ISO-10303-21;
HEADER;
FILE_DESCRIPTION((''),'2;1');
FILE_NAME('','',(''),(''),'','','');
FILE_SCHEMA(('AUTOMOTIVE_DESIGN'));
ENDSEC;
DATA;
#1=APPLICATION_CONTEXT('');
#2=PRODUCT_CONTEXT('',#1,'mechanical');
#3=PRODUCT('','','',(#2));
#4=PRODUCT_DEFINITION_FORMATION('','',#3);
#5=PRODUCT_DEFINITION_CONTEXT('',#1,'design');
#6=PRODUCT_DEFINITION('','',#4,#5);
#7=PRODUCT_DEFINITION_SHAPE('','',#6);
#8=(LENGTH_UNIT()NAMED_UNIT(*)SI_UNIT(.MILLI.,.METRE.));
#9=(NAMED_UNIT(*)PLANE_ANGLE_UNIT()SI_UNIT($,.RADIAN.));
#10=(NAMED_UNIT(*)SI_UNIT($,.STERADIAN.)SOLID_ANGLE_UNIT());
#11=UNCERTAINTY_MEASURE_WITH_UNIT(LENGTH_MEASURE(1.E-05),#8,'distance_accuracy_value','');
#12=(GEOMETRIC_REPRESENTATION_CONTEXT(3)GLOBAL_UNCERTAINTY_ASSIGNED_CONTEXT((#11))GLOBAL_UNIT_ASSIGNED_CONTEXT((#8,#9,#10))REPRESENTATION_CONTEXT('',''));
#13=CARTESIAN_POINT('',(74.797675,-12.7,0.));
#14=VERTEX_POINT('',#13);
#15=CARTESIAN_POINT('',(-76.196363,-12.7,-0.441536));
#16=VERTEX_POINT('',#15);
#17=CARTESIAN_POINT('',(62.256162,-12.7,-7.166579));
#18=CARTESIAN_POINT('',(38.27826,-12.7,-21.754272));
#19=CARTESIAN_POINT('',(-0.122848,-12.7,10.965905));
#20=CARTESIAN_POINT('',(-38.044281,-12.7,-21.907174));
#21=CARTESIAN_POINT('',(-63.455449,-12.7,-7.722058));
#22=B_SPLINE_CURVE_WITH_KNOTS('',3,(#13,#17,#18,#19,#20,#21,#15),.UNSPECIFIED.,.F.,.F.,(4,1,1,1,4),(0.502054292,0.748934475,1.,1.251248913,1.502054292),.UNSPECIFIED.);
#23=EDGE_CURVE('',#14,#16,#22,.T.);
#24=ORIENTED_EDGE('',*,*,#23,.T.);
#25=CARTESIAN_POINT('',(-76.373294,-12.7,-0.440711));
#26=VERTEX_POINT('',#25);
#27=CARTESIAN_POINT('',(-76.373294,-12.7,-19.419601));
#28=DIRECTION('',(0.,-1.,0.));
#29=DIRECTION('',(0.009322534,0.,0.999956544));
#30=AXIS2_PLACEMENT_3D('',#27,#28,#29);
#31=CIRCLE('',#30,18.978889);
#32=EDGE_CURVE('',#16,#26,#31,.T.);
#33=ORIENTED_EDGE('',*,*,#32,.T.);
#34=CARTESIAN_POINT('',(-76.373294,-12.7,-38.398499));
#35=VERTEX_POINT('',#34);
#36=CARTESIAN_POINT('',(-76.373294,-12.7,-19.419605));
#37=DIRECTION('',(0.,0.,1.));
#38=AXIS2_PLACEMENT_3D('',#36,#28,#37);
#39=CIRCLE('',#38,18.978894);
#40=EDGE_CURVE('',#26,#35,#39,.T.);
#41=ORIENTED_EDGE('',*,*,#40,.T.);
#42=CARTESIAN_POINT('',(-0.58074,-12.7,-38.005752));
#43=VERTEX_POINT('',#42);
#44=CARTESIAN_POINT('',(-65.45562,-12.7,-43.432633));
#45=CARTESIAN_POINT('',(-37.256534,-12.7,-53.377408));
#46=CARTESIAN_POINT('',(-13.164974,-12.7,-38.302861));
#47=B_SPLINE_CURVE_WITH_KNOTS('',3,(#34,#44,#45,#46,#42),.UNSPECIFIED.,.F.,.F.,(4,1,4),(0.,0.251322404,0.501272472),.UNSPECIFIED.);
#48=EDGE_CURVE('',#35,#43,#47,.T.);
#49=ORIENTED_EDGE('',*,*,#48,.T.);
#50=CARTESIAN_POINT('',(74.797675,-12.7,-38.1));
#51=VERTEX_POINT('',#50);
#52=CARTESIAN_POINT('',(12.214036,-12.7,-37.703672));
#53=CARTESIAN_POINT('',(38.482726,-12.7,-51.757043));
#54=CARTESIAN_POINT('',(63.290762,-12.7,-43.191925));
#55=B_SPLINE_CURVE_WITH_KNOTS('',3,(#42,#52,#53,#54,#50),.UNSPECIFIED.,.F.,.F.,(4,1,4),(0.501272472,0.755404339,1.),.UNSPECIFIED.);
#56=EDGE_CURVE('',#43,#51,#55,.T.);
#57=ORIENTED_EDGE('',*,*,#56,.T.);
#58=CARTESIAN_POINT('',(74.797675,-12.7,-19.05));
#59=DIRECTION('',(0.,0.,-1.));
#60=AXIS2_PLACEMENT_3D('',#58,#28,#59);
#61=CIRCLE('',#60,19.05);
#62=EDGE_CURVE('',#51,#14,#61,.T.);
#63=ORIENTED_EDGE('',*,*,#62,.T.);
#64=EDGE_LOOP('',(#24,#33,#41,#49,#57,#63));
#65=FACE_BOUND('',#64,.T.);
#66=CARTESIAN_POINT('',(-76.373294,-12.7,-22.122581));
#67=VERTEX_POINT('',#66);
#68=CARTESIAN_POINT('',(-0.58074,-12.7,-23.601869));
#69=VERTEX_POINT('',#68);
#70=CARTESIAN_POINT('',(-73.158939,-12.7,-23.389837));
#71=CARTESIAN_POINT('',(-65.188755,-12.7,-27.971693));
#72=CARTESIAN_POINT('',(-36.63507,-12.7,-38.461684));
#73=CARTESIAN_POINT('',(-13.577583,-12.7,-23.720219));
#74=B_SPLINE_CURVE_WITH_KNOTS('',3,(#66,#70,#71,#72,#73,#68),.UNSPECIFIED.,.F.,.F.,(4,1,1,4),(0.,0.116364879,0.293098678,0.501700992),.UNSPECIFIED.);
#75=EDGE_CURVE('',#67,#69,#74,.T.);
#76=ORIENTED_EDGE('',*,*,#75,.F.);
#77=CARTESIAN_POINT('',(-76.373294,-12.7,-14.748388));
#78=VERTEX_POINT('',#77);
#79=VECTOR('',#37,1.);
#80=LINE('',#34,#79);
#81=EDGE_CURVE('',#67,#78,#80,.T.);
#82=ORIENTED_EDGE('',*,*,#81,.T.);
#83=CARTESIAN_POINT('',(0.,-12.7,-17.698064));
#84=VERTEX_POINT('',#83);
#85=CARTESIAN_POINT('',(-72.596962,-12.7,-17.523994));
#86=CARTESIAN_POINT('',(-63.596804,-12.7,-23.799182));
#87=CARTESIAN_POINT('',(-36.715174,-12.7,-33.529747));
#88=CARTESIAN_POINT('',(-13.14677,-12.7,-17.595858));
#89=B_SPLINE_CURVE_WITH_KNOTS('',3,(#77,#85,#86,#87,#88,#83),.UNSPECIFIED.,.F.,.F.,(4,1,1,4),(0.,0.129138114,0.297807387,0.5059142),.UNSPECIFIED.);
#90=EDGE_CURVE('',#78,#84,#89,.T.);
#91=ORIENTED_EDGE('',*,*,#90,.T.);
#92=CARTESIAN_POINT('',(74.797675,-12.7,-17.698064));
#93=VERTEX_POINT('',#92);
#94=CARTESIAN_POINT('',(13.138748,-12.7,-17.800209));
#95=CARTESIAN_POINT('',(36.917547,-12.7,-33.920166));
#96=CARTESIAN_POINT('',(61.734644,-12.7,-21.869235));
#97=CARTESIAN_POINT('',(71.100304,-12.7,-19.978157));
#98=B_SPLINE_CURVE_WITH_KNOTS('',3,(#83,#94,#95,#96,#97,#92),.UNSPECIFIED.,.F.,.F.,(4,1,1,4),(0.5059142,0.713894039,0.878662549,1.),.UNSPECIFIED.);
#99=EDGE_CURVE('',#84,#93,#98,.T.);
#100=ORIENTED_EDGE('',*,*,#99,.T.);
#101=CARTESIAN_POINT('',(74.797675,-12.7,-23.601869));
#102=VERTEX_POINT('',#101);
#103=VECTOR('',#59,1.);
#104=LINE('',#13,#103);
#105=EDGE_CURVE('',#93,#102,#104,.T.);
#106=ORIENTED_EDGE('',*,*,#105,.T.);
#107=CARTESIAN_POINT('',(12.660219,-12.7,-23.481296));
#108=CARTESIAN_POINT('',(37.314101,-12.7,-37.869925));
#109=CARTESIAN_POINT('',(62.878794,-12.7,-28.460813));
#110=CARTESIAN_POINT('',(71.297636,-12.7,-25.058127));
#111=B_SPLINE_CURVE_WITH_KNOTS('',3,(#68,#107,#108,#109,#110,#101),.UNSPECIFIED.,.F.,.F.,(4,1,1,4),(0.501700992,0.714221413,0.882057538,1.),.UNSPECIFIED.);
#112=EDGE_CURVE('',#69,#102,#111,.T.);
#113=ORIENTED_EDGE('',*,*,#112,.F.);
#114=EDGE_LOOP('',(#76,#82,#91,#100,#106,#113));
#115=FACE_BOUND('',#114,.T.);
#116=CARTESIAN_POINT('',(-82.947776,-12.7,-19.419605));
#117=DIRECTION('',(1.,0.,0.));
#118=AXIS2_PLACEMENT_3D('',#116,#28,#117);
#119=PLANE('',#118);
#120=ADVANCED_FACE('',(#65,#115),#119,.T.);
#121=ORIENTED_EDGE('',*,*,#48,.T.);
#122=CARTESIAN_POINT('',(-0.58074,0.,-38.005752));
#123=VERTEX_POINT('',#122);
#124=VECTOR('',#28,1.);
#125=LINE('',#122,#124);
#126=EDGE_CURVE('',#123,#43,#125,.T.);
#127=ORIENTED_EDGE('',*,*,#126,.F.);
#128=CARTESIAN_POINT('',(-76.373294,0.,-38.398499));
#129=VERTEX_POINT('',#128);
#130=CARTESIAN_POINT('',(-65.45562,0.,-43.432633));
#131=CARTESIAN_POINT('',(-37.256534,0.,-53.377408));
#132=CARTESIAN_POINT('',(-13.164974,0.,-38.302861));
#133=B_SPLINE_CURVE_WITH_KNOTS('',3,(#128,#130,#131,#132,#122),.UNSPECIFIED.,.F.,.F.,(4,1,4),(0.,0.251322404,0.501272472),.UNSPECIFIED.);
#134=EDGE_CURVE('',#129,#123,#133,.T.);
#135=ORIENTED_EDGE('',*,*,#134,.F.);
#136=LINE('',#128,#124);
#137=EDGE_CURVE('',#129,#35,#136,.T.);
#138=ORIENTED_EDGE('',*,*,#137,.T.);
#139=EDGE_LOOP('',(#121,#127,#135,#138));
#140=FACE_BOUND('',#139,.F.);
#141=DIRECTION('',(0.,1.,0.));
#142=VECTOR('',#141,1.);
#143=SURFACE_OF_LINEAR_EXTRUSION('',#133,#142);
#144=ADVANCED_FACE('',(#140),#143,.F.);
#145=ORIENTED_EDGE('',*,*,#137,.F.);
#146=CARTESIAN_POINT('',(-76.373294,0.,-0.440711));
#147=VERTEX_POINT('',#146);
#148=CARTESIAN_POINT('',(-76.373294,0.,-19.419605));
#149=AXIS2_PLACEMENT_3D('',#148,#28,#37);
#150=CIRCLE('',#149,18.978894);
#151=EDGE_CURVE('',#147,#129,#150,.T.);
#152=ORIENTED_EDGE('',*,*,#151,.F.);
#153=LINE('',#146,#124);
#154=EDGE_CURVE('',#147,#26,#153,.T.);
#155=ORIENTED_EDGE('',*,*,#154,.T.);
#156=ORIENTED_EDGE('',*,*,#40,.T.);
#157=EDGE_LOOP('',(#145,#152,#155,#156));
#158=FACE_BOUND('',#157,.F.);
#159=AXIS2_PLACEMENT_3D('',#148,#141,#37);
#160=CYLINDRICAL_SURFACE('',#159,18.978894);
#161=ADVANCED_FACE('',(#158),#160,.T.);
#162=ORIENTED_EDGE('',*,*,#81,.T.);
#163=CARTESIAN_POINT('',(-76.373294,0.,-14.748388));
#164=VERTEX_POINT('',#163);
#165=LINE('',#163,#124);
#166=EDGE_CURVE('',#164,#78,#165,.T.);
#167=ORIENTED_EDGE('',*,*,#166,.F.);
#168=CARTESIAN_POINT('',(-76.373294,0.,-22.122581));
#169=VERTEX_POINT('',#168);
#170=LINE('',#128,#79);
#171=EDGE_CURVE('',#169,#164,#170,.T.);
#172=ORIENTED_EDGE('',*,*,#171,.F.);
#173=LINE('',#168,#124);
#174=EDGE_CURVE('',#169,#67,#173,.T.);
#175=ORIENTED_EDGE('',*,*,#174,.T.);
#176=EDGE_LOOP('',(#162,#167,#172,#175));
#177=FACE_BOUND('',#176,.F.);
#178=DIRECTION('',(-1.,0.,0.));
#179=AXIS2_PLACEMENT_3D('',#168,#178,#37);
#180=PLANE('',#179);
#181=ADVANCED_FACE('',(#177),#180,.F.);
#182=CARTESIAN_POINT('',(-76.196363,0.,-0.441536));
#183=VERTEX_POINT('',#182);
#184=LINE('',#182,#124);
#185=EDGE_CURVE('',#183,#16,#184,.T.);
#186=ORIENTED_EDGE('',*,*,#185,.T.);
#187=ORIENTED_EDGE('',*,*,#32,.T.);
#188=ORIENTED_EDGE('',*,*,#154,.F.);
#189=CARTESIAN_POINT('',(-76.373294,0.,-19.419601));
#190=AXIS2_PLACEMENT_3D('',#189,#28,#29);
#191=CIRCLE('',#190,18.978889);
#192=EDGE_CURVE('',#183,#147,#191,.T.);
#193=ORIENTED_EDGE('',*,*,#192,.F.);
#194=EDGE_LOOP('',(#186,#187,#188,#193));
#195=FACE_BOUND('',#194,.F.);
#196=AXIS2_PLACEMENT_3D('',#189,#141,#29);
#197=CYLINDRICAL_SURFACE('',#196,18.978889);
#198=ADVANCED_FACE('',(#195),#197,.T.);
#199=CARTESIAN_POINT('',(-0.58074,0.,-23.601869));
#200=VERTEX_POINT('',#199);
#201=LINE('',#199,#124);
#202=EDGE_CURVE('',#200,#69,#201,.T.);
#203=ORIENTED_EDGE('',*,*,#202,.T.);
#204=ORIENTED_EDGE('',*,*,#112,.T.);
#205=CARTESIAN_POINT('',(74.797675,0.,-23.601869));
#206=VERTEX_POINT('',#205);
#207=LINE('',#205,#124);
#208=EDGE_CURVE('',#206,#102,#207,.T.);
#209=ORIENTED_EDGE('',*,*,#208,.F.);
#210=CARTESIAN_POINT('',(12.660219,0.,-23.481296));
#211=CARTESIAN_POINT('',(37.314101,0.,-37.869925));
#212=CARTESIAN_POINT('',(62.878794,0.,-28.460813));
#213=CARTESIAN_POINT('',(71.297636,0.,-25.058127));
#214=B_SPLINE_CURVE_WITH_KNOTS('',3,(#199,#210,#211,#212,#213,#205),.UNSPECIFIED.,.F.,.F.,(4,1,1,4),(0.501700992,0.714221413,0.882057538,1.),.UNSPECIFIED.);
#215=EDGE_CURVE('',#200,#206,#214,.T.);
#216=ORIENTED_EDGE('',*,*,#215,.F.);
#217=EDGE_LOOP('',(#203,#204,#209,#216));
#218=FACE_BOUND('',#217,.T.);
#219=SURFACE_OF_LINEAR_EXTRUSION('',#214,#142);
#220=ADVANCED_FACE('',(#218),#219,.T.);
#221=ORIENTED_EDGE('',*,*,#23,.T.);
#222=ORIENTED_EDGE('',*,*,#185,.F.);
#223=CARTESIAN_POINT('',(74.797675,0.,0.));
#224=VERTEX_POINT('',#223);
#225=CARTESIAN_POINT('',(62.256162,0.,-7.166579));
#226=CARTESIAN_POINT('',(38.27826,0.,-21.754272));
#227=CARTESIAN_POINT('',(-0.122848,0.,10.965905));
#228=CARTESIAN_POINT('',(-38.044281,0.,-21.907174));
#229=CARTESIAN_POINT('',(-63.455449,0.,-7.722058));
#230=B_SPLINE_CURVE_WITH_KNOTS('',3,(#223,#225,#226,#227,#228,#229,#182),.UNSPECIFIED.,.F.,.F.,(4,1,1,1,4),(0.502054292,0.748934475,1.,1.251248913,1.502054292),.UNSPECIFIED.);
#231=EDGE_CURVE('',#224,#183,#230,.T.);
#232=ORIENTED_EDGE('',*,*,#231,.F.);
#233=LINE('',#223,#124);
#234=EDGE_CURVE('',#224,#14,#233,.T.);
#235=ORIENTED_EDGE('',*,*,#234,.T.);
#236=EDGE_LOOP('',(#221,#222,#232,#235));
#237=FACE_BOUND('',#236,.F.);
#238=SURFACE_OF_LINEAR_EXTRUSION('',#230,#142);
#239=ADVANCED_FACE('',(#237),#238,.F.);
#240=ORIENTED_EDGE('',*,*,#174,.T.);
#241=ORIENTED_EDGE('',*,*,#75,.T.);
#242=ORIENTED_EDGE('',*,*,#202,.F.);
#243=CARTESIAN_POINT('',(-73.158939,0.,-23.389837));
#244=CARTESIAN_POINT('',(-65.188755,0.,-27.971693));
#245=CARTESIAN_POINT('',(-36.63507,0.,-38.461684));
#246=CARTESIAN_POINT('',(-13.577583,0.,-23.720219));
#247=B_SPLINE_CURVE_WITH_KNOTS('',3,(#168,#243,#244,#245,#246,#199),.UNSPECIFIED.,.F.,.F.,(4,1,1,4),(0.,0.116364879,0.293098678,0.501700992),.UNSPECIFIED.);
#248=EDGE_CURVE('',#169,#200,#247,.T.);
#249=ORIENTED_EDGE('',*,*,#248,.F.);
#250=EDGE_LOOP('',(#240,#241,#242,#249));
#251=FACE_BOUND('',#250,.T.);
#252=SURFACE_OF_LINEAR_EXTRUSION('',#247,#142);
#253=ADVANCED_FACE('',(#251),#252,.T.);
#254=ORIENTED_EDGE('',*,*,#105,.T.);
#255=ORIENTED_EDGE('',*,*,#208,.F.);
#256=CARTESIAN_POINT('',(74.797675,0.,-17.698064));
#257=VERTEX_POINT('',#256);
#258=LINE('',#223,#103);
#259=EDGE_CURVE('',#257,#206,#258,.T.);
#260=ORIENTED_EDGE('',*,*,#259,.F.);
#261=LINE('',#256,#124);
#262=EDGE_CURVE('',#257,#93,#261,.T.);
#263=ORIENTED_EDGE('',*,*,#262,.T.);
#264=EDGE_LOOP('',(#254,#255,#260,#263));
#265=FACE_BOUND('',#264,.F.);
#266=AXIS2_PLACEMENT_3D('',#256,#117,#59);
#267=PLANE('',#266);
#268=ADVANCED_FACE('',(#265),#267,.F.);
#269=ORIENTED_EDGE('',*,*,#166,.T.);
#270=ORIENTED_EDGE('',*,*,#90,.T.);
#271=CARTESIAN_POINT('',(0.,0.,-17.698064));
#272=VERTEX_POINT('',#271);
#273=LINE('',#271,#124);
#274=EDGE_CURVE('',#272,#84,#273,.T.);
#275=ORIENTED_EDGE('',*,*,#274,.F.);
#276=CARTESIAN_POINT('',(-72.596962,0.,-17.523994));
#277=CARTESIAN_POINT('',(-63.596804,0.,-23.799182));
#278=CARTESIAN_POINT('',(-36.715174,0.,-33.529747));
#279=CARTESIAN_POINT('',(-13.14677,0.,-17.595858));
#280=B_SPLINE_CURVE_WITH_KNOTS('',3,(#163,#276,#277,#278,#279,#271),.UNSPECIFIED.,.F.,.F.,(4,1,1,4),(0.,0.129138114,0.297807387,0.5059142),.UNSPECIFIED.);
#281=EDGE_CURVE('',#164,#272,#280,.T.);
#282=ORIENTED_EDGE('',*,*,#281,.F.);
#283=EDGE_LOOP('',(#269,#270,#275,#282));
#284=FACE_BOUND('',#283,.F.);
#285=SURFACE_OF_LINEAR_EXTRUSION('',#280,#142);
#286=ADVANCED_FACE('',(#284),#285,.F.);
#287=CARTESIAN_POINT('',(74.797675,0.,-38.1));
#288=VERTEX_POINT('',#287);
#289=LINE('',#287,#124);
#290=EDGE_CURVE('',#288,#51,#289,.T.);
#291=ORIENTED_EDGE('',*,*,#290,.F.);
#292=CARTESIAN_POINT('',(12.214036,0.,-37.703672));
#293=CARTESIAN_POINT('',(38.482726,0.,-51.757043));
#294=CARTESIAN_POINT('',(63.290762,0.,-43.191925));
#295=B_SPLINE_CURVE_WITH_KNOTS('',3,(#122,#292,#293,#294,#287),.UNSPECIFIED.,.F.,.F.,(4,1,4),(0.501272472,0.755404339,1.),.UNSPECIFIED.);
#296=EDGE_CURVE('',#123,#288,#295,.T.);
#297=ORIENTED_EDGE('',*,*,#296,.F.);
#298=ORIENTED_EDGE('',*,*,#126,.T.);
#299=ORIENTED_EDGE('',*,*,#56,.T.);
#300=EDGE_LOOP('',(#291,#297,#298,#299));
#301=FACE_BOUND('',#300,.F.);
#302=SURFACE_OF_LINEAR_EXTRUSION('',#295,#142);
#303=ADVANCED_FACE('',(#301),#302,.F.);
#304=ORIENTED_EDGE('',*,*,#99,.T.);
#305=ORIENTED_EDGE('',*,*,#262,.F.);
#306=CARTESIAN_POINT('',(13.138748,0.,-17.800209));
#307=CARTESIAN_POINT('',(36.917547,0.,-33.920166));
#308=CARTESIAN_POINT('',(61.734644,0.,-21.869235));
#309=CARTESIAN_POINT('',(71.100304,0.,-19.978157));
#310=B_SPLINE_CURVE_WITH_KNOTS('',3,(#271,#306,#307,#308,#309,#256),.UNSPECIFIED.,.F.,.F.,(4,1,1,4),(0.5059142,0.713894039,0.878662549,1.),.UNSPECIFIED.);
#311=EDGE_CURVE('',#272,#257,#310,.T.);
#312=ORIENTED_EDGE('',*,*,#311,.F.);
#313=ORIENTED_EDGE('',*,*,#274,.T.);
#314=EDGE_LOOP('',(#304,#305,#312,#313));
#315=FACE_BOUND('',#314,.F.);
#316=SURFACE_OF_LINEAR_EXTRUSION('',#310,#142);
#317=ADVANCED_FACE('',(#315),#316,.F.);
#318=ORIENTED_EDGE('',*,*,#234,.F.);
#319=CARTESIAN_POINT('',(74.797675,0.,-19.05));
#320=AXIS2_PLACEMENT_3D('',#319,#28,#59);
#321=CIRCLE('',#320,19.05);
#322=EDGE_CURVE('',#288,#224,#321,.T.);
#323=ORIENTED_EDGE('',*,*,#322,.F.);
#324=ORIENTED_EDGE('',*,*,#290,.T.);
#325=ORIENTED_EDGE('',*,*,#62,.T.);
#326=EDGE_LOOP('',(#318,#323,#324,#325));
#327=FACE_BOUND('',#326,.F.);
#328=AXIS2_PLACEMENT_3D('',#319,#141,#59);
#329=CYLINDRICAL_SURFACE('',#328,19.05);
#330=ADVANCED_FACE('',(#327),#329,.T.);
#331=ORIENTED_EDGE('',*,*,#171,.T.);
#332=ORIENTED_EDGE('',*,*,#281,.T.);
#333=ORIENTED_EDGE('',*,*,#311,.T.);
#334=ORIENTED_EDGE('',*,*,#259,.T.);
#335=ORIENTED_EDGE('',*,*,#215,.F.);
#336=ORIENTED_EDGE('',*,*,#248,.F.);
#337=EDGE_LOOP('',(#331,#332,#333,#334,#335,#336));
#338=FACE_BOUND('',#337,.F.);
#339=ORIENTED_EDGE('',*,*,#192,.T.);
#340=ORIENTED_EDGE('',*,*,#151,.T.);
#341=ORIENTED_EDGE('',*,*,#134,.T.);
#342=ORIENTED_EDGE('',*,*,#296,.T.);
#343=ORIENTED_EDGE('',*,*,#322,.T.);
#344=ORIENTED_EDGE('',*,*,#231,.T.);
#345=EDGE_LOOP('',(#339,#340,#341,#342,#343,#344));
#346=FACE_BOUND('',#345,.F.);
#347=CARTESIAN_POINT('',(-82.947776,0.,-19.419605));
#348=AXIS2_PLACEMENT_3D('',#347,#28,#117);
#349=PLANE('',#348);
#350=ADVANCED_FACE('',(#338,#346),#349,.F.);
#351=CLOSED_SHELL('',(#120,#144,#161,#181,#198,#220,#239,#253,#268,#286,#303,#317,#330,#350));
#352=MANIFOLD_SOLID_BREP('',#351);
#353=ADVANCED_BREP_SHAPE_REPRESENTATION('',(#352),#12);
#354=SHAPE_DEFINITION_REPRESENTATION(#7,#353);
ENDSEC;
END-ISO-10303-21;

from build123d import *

# Parameters (mm, degrees)
F1_DEPTH = 12.7


with BuildPart() as f1:
    # F0 (on Front) → F1 (new body)
    with BuildSketch(Plane.XZ):
        with BuildLine():
            Line((-76.3732939959, -14.74838797), (-76.3732939959, -0.4407114726))
            ThreePointArc((-76.3732939959, -0.4407114726), (-95.3521876711, -19.4196051478), (-76.3732939959, -38.3984988231))
            Line((-76.3732939959, -38.3984988231), (-76.3732939959, -22.1225805581))
            Line((-76.3732939959, -22.1225805581), (-76.3732939959, -19.4196051478))
            Line((-76.3732939959, -19.4196051478), (-76.3732939959, -14.74838797))
        make_face()
        with BuildLine():
            add(Edge.make_bspline(
                [(-76.1963626412, -0.4415362147), (-63.4554494128, -7.7220580595), (-38.0442806352, -21.9071743913), (-12.7646136786, 0.0070951571), (0, 0)],
                knots=[0, 0, 0, 0, 0.2508053785, 0.5020542919, 0.5020542919, 0.5020542919, 0.5020542919], degree=3))
            ThreePointArc((-76.1963626412, -0.4415362147), (-76.2848273574, -0.4409176592), (-76.3732939959, -0.4407114726))
            Line((-76.3732939959, -0.4407114726), (-76.3732939959, -14.74838797))
            add(Edge.make_bspline(
                [(-76.3732939959, -14.74838797), (-72.5969617493, -17.5239941116), (-63.5968037874, -23.7991821261), (-36.7151744714, -33.5297470965), (-13.146769664, -17.5958580302), (0, -17.6980644464)],
                knots=[0, 0, 0, 0, 0.1291381136, 0.2978073868, 0.5059142002, 0.5059142002, 0.5059142002, 0.5059142002], degree=3))
            Line((0, -17.6980644464), (0, 0))
        make_face()
        with BuildLine():
            Line((-76.3732939959, -22.1225805581), (-76.3732939959, -38.3984988231))
            add(Edge.make_bspline(
                [(-76.3732939959, -38.3984988231), (-65.4556199398, -43.4326327745), (-37.2565335761, -53.3774078279), (-13.164973983, -38.3028608946), (-0.580739674, -38.0057516119)],
                knots=[0, 0, 0, 0, 0.2513224035, 0.5012724723, 0.5012724723, 0.5012724723, 0.5012724723], degree=3))
            Line((-0.580739674, -38.0057516119), (-0.580739674, -23.6018691003))
            add(Edge.make_bspline(
                [(-76.3732939959, -22.1225805581), (-73.1589388118, -23.3898365488), (-65.1887553099, -27.9716934806), (-36.6350701075, -38.4616835388), (-13.5775834306, -23.7202191897), (-0.580739674, -23.6018691003)],
                knots=[0, 0, 0, 0, 0.1163648791, 0.2930986778, 0.5017009921, 0.5017009921, 0.5017009921, 0.5017009921], degree=3))
        make_face()
        with BuildLine():
            add(Edge.make_bspline(
                [(-0.580739674, -38.0057516119), (12.2140355622, -37.7036715329), (38.4827264042, -51.7570425047), (63.290761935, -43.1919248679), (74.7976750135, -38.1)],
                knots=[0.5012724723, 0.5012724723, 0.5012724723, 0.5012724723, 0.7554043387, 1, 1, 1, 1], degree=3))
            Line((74.7976750135, -38.1), (74.7976750135, -23.6018691003))
            add(Edge.make_bspline(
                [(-0.580739674, -23.6018691003), (12.6602194247, -23.4812960809), (37.3141008426, -37.8699252067), (62.8787942653, -28.4608125207), (71.2976360715, -25.0581269531), (74.7976750135, -23.6018691003)],
                knots=[0.5017009921, 0.5017009921, 0.5017009921, 0.5017009921, 0.7142214134, 0.8820575377, 1, 1, 1, 1], degree=3))
            Line((-0.580739674, -23.6018691003), (-0.580739674, -38.0057516119))
        make_face()
        with BuildLine():
            add(Edge.make_bspline(
                [(0, 0), (12.7552967066, -0.0070899783), (38.2782597838, -21.7542719189), (62.256161725, -7.166579022), (74.7976750135, 0)],
                knots=[0.5020542919, 0.5020542919, 0.5020542919, 0.5020542919, 0.7531198172, 1, 1, 1, 1], degree=3))
            Line((0, 0), (0, -17.6980644464))
            add(Edge.make_bspline(
                [(0, -17.6980644464), (13.1387482498, -17.8002085021), (36.9175474541, -33.9201664032), (61.7346435389, -21.869234643), (71.1003039311, -19.9781574992), (74.7976750135, -17.6980644464)],
                knots=[0.5059142002, 0.5059142002, 0.5059142002, 0.5059142002, 0.7138940387, 0.8786625487, 1, 1, 1, 1], degree=3))
            Line((74.7976750135, -17.6980644464), (74.7976750135, 0))
        make_face()
        with BuildLine():
            ThreePointArc((74.7976750135, -38.1), (93.8476750135, -19.05), (74.7976750135, 0))
            Line((74.7976750135, 0), (74.7976750135, -17.6980644464))
            Line((74.7976750135, -17.6980644464), (74.7976750135, -19.05))
            Line((74.7976750135, -19.05), (74.7976750135, -23.6018691003))
            Line((74.7976750135, -23.6018691003), (74.7976750135, -38.1))
        make_face()
    extrude(amount=F1_DEPTH)


solid = f1.part
